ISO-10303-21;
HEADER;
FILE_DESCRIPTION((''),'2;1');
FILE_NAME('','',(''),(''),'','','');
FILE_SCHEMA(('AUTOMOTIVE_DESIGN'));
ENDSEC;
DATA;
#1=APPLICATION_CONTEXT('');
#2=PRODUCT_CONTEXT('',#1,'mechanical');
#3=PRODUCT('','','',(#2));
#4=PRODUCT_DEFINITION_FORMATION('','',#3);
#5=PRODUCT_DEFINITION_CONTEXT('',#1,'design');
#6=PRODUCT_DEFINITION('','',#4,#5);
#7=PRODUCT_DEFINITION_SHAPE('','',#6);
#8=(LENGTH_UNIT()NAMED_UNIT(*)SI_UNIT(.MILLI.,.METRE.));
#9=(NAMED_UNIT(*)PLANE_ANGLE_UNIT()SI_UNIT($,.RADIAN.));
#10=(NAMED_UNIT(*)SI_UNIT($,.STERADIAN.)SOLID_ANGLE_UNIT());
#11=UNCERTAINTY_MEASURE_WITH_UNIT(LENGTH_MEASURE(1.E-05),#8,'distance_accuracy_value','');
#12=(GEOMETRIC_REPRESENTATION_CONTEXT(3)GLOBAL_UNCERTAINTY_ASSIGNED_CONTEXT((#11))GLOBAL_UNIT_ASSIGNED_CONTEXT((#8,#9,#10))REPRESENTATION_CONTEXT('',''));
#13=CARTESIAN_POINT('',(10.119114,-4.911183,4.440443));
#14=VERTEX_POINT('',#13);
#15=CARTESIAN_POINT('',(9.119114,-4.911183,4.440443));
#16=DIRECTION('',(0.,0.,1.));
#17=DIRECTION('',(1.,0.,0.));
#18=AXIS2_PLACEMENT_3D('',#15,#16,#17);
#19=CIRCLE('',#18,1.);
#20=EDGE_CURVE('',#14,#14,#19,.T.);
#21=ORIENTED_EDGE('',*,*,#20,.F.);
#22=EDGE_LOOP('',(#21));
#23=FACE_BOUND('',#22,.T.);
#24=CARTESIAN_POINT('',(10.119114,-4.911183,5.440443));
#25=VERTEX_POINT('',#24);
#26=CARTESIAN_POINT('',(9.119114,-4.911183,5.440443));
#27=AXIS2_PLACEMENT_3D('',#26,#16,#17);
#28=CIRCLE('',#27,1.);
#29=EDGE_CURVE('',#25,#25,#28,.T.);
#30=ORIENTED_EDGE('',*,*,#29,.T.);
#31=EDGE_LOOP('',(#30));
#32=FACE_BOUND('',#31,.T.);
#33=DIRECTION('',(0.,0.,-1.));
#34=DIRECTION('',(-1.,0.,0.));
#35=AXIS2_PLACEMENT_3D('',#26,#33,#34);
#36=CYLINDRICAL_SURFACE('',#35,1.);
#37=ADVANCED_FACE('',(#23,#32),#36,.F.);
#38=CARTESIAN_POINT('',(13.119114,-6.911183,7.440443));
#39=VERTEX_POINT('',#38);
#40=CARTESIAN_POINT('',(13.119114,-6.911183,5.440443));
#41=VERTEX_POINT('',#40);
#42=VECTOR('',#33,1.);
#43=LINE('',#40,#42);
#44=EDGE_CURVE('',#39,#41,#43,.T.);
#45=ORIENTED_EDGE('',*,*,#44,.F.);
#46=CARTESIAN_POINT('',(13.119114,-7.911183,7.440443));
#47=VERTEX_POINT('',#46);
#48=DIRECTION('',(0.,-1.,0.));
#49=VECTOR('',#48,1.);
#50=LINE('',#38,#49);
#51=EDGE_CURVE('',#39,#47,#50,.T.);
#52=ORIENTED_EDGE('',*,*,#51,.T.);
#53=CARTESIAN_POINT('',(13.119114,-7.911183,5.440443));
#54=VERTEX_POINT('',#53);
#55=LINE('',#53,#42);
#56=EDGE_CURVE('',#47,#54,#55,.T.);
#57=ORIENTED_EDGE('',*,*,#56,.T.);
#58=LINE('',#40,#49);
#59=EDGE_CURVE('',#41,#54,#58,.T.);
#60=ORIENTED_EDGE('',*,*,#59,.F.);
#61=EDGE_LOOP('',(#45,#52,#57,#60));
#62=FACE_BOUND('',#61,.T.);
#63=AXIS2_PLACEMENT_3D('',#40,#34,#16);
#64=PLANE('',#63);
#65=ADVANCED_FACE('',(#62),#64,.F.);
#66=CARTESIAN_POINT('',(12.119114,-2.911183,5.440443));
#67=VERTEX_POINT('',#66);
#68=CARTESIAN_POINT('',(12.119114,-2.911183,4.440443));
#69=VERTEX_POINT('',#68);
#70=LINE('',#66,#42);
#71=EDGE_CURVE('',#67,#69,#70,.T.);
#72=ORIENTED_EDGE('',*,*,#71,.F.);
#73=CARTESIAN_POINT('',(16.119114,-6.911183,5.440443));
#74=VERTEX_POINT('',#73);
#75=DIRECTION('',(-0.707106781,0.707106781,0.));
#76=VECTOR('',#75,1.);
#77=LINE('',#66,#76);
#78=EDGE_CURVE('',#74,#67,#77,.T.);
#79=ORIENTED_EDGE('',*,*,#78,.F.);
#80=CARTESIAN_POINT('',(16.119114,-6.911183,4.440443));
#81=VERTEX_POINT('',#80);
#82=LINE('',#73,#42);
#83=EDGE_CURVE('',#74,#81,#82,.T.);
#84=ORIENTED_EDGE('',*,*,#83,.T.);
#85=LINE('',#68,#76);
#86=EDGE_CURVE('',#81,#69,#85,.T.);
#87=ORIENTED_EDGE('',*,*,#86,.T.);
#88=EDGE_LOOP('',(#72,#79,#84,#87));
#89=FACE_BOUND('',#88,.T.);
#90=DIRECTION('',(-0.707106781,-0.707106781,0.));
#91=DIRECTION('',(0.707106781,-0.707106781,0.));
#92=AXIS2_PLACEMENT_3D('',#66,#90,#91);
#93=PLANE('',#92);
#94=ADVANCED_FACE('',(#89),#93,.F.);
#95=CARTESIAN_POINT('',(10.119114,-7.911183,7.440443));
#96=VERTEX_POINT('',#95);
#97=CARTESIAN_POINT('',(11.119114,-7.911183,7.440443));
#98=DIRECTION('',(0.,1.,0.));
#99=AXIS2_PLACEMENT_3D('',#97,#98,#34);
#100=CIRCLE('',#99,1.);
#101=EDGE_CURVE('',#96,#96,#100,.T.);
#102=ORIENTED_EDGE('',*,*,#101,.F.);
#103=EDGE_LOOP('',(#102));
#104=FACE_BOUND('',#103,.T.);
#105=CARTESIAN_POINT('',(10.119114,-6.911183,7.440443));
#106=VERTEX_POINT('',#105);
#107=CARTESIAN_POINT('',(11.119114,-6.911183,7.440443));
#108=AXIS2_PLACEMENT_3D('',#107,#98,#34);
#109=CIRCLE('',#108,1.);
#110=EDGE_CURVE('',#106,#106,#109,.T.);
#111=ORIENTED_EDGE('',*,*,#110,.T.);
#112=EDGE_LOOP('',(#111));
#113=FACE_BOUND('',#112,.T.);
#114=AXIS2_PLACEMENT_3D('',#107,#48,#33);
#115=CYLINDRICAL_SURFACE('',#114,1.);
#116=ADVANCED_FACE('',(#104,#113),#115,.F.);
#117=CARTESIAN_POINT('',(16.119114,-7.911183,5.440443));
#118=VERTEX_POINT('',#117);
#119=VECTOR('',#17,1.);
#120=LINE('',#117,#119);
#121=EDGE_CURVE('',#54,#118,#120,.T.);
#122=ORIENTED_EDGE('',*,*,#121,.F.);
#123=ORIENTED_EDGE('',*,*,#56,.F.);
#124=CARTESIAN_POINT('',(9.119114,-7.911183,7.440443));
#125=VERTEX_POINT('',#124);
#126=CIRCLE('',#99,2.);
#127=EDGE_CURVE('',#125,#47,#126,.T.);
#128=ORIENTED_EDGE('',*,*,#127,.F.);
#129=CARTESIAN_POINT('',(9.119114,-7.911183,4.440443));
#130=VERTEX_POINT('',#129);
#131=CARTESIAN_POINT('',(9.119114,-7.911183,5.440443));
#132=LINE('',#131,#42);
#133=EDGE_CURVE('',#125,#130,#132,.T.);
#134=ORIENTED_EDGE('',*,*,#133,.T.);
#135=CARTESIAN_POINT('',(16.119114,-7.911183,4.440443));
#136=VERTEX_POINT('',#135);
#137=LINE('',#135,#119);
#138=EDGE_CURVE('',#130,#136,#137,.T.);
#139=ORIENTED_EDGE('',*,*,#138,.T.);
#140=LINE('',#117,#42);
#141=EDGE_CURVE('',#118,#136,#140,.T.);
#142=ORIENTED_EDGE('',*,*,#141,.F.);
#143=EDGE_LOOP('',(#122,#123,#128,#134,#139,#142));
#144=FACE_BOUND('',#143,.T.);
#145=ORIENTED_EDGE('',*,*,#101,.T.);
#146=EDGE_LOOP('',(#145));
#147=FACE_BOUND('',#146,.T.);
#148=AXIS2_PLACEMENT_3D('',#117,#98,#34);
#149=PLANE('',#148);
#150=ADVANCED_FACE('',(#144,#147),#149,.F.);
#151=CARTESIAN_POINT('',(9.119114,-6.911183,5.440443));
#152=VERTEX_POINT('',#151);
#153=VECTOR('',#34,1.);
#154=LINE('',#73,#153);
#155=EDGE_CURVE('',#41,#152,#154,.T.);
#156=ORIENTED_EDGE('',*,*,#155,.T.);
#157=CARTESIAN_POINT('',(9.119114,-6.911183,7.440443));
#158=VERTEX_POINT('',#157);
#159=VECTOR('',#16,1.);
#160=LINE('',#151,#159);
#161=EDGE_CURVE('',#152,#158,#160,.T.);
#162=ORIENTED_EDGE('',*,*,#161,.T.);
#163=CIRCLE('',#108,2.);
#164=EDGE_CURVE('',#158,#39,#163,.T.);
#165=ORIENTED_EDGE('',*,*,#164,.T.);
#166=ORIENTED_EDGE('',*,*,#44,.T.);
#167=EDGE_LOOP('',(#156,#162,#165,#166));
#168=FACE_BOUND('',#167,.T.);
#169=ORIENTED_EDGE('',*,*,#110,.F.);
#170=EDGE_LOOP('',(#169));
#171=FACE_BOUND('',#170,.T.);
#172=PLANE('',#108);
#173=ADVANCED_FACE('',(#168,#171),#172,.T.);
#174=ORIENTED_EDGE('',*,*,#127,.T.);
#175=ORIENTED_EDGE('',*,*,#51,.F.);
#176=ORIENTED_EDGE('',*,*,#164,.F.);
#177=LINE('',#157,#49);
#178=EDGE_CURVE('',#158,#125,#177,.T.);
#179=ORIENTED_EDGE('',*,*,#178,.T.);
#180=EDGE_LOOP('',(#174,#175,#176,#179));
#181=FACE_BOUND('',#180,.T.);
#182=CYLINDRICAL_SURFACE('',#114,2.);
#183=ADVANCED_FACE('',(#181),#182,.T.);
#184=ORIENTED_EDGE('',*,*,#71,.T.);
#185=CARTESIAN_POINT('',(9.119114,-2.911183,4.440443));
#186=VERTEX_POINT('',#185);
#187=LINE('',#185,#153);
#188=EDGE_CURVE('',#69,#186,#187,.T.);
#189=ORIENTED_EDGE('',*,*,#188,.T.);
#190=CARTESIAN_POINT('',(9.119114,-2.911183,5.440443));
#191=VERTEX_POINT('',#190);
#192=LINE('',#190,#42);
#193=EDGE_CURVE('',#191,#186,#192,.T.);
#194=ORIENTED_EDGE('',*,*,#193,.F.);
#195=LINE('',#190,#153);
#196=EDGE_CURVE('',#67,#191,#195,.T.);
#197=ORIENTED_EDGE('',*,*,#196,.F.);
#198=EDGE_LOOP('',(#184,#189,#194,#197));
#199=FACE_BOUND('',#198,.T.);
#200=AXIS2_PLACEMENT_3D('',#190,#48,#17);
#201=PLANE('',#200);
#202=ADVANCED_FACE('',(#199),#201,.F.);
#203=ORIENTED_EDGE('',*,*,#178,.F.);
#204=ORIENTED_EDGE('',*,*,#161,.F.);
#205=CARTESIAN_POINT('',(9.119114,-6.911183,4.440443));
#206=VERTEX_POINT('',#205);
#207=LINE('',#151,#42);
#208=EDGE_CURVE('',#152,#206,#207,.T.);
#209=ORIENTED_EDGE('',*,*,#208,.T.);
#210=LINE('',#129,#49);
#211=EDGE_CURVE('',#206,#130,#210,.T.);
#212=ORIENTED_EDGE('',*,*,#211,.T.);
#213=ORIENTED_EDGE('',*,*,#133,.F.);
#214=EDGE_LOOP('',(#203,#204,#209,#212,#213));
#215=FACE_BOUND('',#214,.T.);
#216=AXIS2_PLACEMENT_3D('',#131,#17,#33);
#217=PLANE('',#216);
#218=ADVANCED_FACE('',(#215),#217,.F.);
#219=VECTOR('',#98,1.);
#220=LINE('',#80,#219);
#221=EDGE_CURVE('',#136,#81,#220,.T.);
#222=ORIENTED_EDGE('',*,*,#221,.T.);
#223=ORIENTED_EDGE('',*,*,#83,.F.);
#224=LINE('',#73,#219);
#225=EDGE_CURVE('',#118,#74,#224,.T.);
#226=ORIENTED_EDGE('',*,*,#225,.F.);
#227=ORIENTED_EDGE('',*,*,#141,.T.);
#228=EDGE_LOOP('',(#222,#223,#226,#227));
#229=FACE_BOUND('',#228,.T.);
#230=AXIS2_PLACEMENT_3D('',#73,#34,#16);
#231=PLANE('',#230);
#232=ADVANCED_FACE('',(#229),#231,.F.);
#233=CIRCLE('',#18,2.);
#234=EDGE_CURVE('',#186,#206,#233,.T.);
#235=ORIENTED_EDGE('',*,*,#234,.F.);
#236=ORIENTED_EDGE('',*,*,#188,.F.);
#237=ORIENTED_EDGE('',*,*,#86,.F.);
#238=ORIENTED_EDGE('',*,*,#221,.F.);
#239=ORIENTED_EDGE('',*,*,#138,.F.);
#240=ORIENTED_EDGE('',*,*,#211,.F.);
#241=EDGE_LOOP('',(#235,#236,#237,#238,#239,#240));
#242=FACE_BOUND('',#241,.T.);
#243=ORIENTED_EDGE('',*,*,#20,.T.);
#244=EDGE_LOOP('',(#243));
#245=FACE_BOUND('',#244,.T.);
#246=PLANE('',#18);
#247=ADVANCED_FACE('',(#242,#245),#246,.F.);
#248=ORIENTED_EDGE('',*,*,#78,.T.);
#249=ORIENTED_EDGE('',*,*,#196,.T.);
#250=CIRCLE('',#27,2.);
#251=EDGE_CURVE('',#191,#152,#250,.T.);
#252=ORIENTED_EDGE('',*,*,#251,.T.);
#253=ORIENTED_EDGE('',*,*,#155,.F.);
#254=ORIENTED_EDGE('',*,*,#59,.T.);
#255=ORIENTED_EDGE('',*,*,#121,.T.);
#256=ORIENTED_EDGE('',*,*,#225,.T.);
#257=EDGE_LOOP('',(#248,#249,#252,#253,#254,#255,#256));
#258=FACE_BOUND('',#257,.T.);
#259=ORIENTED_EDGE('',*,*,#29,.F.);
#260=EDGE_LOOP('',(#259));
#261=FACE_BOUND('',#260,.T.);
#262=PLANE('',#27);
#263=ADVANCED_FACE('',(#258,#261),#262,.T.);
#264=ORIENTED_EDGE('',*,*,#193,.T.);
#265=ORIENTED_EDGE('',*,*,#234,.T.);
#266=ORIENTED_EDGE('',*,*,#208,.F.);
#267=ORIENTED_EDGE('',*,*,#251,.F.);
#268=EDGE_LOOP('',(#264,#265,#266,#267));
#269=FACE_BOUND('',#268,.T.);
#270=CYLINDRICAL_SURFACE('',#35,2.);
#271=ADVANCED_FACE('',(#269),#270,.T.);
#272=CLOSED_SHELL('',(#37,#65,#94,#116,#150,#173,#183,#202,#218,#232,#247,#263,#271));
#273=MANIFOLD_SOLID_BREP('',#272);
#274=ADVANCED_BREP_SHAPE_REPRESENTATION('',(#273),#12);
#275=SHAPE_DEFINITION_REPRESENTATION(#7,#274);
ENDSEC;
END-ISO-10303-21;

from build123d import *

# Parameters (mm, degrees)
SKETCH_1_R      = 5
EXTRUDE_1_DEPTH = 5
EXTRUDE_START   = -15
SKETCH_2_R      = 5
EXTRUDE_2_DEPTH = 5
SCALE_1_SCALE   = 0.2


with BuildPart() as part:
    # 草圖1 → 填料-伸長1 (new body)
    with BuildSketch(Plane.XY):
        with BuildLine():
            Line((0, 10), (15, 10))
            Line((15, 10), (35, -10))
            Line((35, -10), (35, -15))
            Line((35, -15), (0, -15))
            Line((0, -15), (0, -10))
            ThreePointArc((0, -10), (-10, 0), (0, 10))
        make_face()
        Circle(SKETCH_1_R, mode=Mode.SUBTRACT)
    extrude(amount=EXTRUDE_1_DEPTH)

    # 草圖2 → 填料-伸長2 (add)
    with BuildSketch(Plane(origin=(0, 0, 0), x_dir=(1, 0, 0), z_dir=(0, 1, 0)).offset(EXTRUDE_START)):
        with BuildLine():
            Line((0, -15), (0, -5))
            Line((0, -5), (20, -5))
            Line((20, -5), (20, -15))
            ThreePointArc((20, -15), (10, -25), (0, -15))
        make_face()
        with Locations((10, -15)):
            Circle(SKETCH_2_R, mode=Mode.SUBTRACT)
    extrude(amount=EXTRUDE_2_DEPTH)


with BuildPart() as part_1:
    # 縮放比例1: scaled about (11.398892544, -6.138978205, 5.550553728)
    add(part.part.scale(SCALE_1_SCALE).moved(Location((9.119114035, -4.911182564, 4.440442982))))


solid = part_1.part
